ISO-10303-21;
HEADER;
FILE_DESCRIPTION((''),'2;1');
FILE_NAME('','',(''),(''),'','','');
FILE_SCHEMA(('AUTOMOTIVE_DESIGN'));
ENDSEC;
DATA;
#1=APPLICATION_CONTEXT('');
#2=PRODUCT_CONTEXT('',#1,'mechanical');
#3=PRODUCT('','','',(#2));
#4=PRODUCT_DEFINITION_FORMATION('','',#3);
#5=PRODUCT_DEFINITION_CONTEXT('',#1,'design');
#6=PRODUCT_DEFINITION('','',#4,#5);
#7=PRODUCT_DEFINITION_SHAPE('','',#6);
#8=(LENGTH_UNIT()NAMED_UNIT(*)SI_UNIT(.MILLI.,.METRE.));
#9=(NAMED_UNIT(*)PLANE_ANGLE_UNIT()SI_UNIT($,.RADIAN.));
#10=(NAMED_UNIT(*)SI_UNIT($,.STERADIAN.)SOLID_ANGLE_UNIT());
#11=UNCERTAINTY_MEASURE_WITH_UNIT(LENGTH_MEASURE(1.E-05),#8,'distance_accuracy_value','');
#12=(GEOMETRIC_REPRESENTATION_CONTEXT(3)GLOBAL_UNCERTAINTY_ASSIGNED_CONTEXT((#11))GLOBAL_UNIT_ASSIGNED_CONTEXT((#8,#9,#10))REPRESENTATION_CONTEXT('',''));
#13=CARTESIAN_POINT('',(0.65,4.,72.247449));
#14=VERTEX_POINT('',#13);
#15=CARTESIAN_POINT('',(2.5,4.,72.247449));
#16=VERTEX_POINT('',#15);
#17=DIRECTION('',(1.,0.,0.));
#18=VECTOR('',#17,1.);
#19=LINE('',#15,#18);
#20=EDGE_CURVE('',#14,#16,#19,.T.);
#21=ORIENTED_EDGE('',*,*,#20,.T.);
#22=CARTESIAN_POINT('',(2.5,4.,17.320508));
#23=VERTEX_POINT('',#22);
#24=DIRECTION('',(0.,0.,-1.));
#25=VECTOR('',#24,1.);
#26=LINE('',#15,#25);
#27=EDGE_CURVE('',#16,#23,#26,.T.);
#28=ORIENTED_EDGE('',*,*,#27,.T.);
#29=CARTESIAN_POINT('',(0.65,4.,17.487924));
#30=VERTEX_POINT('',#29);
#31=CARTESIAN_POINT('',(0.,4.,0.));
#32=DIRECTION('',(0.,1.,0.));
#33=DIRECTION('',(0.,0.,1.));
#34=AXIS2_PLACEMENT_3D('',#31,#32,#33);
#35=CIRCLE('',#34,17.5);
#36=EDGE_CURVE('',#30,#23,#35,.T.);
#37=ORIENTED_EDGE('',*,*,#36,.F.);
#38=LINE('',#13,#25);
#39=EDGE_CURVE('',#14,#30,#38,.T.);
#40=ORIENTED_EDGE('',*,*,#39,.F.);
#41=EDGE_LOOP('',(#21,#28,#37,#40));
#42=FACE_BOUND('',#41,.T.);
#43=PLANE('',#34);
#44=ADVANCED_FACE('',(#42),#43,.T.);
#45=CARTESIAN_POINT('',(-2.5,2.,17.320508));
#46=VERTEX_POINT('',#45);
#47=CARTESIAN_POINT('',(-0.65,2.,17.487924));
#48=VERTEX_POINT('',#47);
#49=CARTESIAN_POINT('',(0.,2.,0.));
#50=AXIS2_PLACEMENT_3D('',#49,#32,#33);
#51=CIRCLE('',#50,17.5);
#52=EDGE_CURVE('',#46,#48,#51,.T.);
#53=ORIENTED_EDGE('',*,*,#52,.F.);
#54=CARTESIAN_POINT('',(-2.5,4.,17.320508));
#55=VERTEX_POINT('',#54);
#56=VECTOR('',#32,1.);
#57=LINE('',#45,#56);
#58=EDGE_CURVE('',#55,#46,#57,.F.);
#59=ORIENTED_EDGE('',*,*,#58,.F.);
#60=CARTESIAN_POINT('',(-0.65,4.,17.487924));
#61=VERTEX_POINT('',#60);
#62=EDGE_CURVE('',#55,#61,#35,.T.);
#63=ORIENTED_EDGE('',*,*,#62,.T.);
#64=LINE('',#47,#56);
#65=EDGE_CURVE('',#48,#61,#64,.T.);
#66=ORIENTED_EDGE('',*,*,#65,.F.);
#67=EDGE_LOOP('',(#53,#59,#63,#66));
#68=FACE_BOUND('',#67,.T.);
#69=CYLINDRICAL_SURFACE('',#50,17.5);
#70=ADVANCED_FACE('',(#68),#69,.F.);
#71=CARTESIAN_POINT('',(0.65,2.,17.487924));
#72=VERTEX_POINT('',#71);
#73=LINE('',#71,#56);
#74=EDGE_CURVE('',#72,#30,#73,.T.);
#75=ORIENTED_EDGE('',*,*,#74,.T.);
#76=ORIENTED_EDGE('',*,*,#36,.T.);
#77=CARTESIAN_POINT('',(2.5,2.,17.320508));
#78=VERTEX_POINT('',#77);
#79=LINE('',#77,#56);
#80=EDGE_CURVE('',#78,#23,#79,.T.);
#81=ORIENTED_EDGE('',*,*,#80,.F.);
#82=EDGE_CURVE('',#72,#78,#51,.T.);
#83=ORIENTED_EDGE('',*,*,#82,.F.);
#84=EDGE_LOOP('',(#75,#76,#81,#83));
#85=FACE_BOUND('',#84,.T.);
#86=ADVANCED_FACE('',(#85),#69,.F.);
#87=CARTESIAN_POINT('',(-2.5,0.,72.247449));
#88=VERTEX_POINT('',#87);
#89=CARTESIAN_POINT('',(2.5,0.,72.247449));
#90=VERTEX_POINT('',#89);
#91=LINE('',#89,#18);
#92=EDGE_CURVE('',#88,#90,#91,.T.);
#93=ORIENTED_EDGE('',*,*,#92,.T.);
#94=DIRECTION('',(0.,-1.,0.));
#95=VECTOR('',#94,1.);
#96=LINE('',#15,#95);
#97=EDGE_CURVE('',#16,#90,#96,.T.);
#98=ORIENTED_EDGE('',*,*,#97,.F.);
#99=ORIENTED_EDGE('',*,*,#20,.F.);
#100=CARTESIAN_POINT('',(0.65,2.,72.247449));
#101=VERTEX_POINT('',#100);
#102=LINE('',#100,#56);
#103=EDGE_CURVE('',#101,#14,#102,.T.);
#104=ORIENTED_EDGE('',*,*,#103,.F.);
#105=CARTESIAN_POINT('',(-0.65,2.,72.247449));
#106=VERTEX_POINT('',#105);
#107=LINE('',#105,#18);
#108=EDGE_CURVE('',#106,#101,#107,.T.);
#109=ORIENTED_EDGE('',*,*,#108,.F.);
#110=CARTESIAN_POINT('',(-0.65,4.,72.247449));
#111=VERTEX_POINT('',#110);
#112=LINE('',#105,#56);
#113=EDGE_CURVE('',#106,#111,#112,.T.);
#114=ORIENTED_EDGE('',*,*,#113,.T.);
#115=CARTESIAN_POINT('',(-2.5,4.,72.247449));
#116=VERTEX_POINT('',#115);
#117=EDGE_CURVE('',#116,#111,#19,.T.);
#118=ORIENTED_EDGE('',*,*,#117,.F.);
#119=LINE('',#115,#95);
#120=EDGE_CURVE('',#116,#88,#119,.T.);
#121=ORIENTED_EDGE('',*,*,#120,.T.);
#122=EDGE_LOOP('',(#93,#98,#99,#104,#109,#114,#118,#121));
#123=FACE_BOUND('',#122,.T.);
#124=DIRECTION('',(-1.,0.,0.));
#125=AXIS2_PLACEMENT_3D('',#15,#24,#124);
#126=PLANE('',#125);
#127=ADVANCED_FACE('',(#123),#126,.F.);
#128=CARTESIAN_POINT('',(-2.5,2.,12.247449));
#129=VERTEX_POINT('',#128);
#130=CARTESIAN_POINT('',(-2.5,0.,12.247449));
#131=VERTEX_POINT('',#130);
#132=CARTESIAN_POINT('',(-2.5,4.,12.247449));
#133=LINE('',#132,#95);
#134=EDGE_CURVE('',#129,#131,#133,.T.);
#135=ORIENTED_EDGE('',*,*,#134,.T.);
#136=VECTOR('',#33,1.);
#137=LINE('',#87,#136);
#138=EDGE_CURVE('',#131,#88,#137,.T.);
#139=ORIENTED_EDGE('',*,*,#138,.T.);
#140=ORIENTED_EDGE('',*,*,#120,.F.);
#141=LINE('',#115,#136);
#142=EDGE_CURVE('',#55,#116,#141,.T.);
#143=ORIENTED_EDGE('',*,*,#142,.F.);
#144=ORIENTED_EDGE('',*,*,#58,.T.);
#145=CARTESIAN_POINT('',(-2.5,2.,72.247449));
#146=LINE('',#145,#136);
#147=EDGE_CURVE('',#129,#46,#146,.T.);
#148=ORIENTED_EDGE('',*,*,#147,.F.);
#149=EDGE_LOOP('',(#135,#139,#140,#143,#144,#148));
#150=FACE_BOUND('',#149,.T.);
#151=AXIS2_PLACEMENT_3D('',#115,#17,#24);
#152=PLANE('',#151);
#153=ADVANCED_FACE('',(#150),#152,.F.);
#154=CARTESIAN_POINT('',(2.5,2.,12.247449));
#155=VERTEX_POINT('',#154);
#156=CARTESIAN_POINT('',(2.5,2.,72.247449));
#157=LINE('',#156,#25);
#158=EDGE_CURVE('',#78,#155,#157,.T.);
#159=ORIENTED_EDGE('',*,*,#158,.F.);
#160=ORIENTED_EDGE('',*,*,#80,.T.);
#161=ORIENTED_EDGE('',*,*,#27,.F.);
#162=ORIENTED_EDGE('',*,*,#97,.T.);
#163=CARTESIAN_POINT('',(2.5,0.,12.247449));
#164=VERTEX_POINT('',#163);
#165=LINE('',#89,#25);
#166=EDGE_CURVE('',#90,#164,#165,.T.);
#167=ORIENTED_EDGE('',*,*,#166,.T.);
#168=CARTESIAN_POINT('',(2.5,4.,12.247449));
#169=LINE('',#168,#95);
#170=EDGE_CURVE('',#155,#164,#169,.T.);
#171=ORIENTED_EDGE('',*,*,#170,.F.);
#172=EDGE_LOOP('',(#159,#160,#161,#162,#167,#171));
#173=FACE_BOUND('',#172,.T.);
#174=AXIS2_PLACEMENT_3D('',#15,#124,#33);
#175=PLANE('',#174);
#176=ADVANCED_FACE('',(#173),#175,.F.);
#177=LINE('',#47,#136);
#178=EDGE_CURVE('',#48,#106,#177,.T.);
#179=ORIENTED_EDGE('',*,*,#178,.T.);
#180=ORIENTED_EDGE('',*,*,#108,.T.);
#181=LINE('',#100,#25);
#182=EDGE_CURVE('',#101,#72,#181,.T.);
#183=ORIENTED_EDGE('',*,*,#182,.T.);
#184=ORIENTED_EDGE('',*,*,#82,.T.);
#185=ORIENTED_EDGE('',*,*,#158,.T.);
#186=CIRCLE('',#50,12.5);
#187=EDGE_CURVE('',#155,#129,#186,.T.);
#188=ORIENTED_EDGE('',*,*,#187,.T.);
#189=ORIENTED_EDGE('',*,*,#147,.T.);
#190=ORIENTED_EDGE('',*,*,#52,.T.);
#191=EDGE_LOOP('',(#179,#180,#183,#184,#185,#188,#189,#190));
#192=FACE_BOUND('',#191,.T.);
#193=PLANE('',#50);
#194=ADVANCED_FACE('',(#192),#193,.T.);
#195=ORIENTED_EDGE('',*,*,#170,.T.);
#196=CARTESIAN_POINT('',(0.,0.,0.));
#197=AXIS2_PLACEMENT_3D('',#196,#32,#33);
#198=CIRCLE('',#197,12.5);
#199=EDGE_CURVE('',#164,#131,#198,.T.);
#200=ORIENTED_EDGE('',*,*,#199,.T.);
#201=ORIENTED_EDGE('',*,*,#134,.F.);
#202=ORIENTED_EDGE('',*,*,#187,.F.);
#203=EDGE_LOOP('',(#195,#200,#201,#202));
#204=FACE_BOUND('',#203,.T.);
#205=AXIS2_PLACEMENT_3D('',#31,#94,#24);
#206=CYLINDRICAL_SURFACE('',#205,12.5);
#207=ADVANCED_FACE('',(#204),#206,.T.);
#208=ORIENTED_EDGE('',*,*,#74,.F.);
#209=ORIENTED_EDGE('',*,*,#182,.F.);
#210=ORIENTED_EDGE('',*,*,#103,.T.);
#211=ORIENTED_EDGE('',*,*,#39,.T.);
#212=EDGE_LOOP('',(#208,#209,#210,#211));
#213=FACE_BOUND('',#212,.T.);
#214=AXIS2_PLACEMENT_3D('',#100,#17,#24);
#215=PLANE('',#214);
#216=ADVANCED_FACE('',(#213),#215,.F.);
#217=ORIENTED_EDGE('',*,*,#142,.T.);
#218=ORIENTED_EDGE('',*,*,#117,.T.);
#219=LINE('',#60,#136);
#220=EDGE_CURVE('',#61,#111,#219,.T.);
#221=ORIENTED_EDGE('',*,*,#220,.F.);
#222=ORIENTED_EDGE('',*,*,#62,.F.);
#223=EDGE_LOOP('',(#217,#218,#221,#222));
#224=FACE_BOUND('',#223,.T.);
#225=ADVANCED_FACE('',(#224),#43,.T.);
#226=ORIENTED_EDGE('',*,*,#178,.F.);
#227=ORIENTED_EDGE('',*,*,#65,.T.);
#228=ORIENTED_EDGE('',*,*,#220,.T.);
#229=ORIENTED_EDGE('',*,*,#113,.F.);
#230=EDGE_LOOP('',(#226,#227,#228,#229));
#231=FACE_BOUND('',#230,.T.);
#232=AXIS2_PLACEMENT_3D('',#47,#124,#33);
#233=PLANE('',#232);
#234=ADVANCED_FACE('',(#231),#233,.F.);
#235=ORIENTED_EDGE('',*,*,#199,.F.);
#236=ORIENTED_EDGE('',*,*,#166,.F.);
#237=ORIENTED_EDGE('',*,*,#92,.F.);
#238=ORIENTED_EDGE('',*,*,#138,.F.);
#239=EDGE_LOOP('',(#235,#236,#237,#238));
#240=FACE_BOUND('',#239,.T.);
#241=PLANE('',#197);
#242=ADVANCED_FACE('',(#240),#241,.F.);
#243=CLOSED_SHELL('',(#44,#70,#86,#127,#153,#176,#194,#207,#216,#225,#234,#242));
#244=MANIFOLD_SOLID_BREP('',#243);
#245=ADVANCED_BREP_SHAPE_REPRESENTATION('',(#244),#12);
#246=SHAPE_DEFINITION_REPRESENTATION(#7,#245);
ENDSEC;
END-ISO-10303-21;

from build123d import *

# Parameters (mm, degrees)
BOSS_EXTRUDE1_DEPTH = 4
SKETCH3_R           = 17.5
CUT_EXTRUDE1_DEPTH  = 2
CUT_EXTRUDE2_DEPTH  = 2


with BuildPart() as part:
    # Sketch1 → Boss-Extrude1 (new body)
    with BuildSketch(Plane(origin=(0, 0, 0), x_dir=(1, 0, 0), z_dir=(0, 1, 0))):
        with BuildLine():
            Line((2.5, -72.247448714), (-2.5, -72.247448714))
            Line((-2.5, -72.247448714), (-2.5, -12.247448714))
            ThreePointArc((-2.5, -12.247448714), (0, 12.5), (2.5, -12.247448714))
            Line((2.5, -12.247448714), (2.5, -72.247448714))
        make_face()
    extrude(amount=BOSS_EXTRUDE1_DEPTH)

    # Sketch3 → Cut-Extrude1 (cut)
    with BuildSketch(Plane(origin=(0, 4, 0), x_dir=(1, 0, 0), z_dir=(0, 1, 0))):
        Circle(SKETCH3_R)
    extrude(amount=-CUT_EXTRUDE1_DEPTH, mode=Mode.SUBTRACT)

    # Sketch4 → Cut-Extrude2 (cut)
    with BuildSketch(Plane(origin=(0, 4, 0), x_dir=(1, 0, 0), z_dir=(0, 1, 0))):
        with BuildLine():
            Line((-0.65, -17.487924405), (-0.65, -72.247448714))
            Line((-0.65, -72.247448714), (0.65, -72.247448714))
            Line((0.65, -72.247448714), (0.65, -17.487924405))
            ThreePointArc((0.65, -17.487924405), (0, -17.5), (-0.65, -17.487924405))
        make_face()
    extrude(amount=-CUT_EXTRUDE2_DEPTH, mode=Mode.SUBTRACT)


solid = part.part
